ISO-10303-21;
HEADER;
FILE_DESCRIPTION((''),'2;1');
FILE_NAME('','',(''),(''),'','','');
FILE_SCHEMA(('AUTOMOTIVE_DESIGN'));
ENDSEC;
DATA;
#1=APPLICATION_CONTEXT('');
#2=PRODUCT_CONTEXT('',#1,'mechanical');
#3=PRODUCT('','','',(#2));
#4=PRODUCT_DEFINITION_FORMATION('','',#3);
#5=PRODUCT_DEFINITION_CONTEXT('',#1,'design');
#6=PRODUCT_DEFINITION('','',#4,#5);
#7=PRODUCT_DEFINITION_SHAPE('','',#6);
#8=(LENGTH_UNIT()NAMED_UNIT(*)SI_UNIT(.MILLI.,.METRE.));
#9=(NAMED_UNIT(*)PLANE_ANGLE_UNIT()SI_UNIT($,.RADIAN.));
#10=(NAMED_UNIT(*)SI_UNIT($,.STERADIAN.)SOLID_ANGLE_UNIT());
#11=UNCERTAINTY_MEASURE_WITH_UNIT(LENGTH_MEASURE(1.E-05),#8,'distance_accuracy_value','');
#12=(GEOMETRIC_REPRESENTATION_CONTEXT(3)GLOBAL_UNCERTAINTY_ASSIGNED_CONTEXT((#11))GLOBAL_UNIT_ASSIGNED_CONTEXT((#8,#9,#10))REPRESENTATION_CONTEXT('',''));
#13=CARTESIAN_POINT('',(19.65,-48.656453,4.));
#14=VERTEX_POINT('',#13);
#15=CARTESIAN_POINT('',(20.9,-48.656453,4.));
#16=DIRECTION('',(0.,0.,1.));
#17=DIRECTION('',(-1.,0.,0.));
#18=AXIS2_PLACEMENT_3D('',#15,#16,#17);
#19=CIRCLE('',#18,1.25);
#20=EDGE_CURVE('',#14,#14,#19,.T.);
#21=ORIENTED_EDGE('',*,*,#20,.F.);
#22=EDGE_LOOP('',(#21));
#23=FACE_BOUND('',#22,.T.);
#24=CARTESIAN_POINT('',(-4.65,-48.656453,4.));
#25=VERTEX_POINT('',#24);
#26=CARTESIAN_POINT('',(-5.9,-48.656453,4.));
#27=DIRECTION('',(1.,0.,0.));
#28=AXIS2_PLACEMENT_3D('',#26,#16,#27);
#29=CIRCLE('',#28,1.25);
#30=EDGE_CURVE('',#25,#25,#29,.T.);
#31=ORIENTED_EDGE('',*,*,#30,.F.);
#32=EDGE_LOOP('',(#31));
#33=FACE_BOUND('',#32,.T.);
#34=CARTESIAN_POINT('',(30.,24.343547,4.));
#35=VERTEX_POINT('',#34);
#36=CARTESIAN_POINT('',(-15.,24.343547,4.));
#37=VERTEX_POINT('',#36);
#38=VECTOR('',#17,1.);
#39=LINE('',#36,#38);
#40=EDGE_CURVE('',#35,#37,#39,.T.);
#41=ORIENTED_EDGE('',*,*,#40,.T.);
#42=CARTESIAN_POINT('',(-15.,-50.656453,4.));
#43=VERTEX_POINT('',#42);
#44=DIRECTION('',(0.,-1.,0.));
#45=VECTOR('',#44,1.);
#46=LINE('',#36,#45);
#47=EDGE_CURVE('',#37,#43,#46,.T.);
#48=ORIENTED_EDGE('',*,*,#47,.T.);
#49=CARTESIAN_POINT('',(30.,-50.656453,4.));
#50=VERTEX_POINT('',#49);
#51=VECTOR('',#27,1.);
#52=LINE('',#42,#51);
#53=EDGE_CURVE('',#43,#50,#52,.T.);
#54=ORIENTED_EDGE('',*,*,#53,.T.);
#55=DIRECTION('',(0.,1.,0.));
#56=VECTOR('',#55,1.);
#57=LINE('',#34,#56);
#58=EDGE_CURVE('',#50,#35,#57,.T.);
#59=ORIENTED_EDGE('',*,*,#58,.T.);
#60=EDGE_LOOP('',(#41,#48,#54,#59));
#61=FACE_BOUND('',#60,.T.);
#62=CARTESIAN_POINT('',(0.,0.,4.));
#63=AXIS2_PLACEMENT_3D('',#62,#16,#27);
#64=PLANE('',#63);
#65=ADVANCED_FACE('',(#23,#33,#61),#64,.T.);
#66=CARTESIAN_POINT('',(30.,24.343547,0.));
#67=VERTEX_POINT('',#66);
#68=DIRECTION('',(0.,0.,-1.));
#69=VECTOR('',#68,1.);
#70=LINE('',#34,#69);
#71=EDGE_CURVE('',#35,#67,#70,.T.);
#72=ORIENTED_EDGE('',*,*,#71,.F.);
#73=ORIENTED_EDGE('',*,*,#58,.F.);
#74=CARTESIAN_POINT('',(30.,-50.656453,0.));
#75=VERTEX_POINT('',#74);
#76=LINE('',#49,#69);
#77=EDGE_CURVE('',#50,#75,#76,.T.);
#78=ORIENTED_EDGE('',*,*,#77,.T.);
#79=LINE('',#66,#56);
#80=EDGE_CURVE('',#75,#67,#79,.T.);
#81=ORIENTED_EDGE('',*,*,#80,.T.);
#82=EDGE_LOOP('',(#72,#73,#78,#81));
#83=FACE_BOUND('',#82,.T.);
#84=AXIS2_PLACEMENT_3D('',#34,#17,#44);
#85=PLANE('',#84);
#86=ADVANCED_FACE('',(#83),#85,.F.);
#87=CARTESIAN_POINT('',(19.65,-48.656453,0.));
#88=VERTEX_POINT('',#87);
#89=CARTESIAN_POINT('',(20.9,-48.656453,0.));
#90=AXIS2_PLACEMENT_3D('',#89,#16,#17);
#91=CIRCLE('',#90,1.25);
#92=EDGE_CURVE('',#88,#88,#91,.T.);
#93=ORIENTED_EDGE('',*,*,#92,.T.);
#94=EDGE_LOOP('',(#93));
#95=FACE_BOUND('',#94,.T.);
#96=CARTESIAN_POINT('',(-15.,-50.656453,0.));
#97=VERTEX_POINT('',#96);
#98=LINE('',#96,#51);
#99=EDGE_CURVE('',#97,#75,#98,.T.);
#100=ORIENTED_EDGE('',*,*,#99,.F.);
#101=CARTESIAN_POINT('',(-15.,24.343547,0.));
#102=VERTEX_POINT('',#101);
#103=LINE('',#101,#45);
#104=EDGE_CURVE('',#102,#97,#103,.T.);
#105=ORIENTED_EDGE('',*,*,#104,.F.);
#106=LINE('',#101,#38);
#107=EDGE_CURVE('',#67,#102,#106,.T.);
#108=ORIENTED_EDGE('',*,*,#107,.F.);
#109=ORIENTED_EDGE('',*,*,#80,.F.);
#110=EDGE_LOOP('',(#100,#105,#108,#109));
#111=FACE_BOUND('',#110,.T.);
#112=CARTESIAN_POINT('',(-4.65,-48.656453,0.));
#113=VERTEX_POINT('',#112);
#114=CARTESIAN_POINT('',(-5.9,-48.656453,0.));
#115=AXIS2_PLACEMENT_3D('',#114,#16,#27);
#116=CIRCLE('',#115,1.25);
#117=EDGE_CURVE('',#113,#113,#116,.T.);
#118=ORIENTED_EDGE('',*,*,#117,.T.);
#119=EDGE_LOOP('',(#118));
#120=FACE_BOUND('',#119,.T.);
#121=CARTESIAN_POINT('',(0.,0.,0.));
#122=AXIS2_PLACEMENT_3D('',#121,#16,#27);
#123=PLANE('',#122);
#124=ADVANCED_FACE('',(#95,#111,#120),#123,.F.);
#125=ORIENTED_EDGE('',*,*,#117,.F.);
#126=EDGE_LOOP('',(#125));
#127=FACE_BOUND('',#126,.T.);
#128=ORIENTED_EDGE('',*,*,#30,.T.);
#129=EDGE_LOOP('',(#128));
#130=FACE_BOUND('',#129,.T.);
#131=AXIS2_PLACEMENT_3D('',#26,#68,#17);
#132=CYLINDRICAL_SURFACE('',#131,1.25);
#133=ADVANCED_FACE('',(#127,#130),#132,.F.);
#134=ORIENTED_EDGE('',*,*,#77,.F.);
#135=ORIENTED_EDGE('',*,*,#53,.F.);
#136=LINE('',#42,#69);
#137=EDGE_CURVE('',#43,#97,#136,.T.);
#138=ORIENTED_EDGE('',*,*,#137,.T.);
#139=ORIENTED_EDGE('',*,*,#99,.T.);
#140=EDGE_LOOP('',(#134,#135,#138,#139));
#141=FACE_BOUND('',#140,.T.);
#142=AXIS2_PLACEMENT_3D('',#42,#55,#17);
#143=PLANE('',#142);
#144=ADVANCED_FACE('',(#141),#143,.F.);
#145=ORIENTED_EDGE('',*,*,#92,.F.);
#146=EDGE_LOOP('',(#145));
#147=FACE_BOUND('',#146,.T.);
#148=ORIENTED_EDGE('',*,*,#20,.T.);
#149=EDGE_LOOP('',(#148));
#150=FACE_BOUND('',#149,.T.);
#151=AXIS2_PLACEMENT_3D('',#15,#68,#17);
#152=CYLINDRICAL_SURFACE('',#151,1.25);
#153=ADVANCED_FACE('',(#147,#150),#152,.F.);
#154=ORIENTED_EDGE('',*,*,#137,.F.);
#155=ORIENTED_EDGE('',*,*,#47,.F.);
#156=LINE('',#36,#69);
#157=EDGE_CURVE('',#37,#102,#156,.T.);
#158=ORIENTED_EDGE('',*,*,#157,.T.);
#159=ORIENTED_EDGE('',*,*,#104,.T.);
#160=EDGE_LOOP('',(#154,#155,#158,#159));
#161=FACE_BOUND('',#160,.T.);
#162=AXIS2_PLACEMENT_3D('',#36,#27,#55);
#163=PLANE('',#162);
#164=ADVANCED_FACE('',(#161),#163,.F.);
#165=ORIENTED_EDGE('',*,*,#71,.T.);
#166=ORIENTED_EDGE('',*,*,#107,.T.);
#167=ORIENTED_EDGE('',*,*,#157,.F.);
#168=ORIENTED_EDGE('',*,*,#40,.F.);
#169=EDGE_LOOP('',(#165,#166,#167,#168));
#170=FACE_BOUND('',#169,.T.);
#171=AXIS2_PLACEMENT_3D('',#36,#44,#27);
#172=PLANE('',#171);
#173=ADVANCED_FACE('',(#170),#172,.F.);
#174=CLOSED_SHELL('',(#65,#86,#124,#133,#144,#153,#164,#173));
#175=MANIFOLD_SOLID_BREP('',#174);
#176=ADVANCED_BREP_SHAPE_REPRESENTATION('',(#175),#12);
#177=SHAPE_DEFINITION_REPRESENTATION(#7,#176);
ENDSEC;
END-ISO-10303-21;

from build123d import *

# Parameters (mm, degrees)
CROQUIS1_W              = 45
CROQUIS1_H              = 75
CROQUIS1_R              = 1.25
SALIENTE_EXTRUIR1_DEPTH = 4


with BuildPart() as part:
    # Croquis1 → Saliente-Extruir1 (new body)
    with BuildSketch(Plane.XY):
        with Locations((7.5, -13.156453444)):
            Rectangle(CROQUIS1_W, CROQUIS1_H)
        with Locations((-5.9, -48.656453444)):
            Circle(CROQUIS1_R, mode=Mode.SUBTRACT)
        with Locations(Location((20.9, -48.656453444, 0), (0, 0, 180))):
            Circle(CROQUIS1_R, mode=Mode.SUBTRACT)
    extrude(amount=SALIENTE_EXTRUIR1_DEPTH)


solid = part.part
